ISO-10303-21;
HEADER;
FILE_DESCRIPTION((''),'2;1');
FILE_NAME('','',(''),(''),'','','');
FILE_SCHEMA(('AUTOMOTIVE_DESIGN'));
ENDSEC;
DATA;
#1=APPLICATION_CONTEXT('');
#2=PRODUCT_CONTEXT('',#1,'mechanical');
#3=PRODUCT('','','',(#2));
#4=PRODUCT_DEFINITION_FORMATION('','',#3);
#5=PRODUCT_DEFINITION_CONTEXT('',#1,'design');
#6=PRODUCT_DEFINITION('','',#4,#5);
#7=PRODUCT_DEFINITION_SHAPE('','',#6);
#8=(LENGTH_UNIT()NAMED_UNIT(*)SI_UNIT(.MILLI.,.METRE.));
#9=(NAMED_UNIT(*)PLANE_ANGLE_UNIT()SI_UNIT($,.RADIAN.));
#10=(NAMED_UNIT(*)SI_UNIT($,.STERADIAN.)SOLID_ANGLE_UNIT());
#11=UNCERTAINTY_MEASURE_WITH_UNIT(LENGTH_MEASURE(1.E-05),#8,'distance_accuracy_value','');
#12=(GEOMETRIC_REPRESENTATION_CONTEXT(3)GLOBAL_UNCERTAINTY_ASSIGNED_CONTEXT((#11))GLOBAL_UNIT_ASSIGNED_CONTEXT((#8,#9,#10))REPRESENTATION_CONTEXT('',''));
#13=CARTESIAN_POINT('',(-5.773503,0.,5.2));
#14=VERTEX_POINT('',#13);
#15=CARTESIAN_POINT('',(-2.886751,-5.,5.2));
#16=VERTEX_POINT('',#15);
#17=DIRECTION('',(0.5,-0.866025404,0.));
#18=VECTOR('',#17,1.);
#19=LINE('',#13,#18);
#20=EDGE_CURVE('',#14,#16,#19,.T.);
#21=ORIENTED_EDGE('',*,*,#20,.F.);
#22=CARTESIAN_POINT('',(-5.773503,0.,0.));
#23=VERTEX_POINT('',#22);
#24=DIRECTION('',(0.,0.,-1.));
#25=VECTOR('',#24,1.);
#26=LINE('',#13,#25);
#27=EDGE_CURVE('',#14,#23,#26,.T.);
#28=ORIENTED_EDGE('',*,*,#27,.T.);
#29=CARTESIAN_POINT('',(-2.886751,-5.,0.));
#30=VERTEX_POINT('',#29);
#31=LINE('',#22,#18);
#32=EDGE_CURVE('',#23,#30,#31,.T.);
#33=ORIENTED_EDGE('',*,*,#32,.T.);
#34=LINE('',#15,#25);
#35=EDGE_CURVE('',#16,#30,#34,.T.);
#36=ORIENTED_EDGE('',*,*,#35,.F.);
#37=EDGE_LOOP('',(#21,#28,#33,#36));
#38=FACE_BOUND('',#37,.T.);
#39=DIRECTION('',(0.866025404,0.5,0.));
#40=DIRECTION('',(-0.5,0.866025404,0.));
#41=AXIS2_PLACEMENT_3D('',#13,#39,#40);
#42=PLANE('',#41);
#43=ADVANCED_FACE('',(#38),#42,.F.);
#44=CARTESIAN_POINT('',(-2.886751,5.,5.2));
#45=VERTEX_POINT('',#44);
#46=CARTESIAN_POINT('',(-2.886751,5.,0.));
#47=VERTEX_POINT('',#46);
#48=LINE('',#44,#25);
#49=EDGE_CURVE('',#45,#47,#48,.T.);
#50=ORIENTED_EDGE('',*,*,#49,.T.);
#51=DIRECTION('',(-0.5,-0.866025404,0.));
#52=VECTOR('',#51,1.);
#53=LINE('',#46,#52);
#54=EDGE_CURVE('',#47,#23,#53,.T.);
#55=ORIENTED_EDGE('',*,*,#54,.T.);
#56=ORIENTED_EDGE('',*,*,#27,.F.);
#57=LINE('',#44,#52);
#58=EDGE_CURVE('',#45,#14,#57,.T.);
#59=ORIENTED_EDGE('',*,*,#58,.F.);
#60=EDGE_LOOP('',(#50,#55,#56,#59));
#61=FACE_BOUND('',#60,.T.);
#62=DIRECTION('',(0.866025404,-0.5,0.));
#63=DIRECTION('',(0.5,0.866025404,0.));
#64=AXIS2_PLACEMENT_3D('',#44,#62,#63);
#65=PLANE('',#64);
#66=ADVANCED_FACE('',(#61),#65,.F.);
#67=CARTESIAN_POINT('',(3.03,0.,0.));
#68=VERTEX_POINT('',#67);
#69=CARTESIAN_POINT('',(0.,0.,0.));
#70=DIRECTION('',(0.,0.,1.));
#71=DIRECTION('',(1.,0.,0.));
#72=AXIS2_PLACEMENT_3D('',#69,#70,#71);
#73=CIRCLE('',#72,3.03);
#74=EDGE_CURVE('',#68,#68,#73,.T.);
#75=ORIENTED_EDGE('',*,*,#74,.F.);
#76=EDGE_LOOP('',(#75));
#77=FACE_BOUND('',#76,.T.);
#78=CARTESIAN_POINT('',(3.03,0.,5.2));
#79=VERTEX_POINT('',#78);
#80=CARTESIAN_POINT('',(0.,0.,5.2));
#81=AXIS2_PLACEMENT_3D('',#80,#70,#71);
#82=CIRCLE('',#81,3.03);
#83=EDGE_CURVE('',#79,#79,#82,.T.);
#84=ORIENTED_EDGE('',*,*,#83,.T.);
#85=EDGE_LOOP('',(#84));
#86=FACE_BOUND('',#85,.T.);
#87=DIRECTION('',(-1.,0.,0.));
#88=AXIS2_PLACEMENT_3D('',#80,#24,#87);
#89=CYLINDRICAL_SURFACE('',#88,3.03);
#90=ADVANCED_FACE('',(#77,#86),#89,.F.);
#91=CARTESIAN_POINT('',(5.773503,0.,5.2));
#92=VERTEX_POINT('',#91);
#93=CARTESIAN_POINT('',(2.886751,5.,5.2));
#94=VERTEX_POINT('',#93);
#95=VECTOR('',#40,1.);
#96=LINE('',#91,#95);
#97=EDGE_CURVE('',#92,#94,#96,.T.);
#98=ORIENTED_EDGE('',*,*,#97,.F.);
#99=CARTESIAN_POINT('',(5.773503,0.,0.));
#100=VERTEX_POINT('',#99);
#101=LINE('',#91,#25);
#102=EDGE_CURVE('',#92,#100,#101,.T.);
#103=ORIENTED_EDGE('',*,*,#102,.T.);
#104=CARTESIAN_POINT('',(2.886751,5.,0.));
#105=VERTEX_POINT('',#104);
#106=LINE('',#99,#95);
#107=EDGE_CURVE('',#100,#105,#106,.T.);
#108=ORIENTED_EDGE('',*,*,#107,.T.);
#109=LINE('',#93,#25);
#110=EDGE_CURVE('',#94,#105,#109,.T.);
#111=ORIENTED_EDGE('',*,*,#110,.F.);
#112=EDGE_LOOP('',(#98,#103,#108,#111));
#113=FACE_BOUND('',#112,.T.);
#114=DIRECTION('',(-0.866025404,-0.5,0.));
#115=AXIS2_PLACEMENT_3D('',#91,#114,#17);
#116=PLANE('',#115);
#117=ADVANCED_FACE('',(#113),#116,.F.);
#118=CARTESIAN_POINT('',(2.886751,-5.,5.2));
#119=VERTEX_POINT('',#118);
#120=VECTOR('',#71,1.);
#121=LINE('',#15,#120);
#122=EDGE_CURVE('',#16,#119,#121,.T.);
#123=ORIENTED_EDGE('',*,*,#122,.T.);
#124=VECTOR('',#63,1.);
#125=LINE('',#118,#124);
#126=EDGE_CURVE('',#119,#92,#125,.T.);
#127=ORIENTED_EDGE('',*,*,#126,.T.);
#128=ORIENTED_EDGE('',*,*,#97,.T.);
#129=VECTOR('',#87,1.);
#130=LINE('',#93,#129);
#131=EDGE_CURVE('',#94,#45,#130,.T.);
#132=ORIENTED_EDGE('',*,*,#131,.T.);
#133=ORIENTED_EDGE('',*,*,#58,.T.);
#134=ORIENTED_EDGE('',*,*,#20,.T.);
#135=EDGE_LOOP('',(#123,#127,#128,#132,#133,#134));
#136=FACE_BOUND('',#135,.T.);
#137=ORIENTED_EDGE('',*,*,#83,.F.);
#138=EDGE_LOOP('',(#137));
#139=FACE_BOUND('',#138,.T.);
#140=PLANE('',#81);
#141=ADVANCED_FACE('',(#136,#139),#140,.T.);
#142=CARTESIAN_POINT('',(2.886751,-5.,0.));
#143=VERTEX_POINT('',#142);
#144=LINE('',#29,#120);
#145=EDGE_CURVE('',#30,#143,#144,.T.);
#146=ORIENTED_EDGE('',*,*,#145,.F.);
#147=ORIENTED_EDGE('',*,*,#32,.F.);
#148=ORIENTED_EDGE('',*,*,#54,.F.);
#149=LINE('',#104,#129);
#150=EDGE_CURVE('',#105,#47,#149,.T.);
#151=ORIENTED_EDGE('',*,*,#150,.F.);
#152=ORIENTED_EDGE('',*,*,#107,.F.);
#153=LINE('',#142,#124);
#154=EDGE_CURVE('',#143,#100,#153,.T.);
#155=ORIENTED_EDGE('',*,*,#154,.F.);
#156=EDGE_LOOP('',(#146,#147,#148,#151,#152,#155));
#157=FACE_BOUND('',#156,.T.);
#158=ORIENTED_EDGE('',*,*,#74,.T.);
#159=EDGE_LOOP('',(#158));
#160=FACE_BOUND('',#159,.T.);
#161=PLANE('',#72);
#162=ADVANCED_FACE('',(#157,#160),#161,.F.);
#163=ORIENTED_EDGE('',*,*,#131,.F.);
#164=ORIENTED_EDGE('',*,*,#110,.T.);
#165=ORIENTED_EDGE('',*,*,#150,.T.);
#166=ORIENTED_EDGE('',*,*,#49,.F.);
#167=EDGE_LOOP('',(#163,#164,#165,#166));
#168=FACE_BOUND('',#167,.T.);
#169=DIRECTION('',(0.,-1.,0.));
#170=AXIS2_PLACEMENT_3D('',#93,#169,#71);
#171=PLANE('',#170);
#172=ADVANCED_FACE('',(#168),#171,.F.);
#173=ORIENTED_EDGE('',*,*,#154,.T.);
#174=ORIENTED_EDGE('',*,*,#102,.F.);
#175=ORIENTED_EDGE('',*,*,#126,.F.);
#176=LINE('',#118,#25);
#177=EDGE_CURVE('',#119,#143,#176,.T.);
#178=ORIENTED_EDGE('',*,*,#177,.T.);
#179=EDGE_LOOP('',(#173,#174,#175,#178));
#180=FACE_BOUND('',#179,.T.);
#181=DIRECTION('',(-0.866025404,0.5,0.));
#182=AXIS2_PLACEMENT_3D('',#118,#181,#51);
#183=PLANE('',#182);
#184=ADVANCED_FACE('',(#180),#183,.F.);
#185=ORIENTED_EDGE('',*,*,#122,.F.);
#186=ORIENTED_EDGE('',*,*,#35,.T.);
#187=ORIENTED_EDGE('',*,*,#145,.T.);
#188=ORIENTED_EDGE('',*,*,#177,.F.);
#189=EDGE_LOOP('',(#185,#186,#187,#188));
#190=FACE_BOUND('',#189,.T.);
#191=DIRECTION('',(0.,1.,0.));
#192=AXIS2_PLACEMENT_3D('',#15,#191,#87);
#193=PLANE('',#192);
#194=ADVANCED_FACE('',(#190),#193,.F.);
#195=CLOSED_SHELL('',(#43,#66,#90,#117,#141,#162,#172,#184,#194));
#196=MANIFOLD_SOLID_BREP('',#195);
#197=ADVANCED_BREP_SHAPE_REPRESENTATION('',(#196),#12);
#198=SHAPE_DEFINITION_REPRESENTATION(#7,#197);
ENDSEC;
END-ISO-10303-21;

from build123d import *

# Parameters (mm, degrees)
S01_ISO_4032_M6_X_1_RH_HEX_NUT_AF10_X_R        = 3.03
F_01_ISO_4032_M6_X_1_RH_HEX_NUT_AF10_X_5_DEPTH = 5.2


with BuildPart() as part:
    # S01 - ISO 4032 M6 x 1 RH hex nut AF10 x 5.2 → 01 - ISO 4032 M6 x 1 RH hex nut AF10 x 5.2 (new body)
    with BuildSketch(Plane.XY):
        Polygon((5.773502692, 0), (2.886751346, 5), (-2.886751346, 5), (-5.773502692, 0), (-2.886751346, -5), (2.886751346, -5), align=None)
        Circle(S01_ISO_4032_M6_X_1_RH_HEX_NUT_AF10_X_R, mode=Mode.SUBTRACT)
    extrude(amount=F_01_ISO_4032_M6_X_1_RH_HEX_NUT_AF10_X_5_DEPTH)


solid = part.part
